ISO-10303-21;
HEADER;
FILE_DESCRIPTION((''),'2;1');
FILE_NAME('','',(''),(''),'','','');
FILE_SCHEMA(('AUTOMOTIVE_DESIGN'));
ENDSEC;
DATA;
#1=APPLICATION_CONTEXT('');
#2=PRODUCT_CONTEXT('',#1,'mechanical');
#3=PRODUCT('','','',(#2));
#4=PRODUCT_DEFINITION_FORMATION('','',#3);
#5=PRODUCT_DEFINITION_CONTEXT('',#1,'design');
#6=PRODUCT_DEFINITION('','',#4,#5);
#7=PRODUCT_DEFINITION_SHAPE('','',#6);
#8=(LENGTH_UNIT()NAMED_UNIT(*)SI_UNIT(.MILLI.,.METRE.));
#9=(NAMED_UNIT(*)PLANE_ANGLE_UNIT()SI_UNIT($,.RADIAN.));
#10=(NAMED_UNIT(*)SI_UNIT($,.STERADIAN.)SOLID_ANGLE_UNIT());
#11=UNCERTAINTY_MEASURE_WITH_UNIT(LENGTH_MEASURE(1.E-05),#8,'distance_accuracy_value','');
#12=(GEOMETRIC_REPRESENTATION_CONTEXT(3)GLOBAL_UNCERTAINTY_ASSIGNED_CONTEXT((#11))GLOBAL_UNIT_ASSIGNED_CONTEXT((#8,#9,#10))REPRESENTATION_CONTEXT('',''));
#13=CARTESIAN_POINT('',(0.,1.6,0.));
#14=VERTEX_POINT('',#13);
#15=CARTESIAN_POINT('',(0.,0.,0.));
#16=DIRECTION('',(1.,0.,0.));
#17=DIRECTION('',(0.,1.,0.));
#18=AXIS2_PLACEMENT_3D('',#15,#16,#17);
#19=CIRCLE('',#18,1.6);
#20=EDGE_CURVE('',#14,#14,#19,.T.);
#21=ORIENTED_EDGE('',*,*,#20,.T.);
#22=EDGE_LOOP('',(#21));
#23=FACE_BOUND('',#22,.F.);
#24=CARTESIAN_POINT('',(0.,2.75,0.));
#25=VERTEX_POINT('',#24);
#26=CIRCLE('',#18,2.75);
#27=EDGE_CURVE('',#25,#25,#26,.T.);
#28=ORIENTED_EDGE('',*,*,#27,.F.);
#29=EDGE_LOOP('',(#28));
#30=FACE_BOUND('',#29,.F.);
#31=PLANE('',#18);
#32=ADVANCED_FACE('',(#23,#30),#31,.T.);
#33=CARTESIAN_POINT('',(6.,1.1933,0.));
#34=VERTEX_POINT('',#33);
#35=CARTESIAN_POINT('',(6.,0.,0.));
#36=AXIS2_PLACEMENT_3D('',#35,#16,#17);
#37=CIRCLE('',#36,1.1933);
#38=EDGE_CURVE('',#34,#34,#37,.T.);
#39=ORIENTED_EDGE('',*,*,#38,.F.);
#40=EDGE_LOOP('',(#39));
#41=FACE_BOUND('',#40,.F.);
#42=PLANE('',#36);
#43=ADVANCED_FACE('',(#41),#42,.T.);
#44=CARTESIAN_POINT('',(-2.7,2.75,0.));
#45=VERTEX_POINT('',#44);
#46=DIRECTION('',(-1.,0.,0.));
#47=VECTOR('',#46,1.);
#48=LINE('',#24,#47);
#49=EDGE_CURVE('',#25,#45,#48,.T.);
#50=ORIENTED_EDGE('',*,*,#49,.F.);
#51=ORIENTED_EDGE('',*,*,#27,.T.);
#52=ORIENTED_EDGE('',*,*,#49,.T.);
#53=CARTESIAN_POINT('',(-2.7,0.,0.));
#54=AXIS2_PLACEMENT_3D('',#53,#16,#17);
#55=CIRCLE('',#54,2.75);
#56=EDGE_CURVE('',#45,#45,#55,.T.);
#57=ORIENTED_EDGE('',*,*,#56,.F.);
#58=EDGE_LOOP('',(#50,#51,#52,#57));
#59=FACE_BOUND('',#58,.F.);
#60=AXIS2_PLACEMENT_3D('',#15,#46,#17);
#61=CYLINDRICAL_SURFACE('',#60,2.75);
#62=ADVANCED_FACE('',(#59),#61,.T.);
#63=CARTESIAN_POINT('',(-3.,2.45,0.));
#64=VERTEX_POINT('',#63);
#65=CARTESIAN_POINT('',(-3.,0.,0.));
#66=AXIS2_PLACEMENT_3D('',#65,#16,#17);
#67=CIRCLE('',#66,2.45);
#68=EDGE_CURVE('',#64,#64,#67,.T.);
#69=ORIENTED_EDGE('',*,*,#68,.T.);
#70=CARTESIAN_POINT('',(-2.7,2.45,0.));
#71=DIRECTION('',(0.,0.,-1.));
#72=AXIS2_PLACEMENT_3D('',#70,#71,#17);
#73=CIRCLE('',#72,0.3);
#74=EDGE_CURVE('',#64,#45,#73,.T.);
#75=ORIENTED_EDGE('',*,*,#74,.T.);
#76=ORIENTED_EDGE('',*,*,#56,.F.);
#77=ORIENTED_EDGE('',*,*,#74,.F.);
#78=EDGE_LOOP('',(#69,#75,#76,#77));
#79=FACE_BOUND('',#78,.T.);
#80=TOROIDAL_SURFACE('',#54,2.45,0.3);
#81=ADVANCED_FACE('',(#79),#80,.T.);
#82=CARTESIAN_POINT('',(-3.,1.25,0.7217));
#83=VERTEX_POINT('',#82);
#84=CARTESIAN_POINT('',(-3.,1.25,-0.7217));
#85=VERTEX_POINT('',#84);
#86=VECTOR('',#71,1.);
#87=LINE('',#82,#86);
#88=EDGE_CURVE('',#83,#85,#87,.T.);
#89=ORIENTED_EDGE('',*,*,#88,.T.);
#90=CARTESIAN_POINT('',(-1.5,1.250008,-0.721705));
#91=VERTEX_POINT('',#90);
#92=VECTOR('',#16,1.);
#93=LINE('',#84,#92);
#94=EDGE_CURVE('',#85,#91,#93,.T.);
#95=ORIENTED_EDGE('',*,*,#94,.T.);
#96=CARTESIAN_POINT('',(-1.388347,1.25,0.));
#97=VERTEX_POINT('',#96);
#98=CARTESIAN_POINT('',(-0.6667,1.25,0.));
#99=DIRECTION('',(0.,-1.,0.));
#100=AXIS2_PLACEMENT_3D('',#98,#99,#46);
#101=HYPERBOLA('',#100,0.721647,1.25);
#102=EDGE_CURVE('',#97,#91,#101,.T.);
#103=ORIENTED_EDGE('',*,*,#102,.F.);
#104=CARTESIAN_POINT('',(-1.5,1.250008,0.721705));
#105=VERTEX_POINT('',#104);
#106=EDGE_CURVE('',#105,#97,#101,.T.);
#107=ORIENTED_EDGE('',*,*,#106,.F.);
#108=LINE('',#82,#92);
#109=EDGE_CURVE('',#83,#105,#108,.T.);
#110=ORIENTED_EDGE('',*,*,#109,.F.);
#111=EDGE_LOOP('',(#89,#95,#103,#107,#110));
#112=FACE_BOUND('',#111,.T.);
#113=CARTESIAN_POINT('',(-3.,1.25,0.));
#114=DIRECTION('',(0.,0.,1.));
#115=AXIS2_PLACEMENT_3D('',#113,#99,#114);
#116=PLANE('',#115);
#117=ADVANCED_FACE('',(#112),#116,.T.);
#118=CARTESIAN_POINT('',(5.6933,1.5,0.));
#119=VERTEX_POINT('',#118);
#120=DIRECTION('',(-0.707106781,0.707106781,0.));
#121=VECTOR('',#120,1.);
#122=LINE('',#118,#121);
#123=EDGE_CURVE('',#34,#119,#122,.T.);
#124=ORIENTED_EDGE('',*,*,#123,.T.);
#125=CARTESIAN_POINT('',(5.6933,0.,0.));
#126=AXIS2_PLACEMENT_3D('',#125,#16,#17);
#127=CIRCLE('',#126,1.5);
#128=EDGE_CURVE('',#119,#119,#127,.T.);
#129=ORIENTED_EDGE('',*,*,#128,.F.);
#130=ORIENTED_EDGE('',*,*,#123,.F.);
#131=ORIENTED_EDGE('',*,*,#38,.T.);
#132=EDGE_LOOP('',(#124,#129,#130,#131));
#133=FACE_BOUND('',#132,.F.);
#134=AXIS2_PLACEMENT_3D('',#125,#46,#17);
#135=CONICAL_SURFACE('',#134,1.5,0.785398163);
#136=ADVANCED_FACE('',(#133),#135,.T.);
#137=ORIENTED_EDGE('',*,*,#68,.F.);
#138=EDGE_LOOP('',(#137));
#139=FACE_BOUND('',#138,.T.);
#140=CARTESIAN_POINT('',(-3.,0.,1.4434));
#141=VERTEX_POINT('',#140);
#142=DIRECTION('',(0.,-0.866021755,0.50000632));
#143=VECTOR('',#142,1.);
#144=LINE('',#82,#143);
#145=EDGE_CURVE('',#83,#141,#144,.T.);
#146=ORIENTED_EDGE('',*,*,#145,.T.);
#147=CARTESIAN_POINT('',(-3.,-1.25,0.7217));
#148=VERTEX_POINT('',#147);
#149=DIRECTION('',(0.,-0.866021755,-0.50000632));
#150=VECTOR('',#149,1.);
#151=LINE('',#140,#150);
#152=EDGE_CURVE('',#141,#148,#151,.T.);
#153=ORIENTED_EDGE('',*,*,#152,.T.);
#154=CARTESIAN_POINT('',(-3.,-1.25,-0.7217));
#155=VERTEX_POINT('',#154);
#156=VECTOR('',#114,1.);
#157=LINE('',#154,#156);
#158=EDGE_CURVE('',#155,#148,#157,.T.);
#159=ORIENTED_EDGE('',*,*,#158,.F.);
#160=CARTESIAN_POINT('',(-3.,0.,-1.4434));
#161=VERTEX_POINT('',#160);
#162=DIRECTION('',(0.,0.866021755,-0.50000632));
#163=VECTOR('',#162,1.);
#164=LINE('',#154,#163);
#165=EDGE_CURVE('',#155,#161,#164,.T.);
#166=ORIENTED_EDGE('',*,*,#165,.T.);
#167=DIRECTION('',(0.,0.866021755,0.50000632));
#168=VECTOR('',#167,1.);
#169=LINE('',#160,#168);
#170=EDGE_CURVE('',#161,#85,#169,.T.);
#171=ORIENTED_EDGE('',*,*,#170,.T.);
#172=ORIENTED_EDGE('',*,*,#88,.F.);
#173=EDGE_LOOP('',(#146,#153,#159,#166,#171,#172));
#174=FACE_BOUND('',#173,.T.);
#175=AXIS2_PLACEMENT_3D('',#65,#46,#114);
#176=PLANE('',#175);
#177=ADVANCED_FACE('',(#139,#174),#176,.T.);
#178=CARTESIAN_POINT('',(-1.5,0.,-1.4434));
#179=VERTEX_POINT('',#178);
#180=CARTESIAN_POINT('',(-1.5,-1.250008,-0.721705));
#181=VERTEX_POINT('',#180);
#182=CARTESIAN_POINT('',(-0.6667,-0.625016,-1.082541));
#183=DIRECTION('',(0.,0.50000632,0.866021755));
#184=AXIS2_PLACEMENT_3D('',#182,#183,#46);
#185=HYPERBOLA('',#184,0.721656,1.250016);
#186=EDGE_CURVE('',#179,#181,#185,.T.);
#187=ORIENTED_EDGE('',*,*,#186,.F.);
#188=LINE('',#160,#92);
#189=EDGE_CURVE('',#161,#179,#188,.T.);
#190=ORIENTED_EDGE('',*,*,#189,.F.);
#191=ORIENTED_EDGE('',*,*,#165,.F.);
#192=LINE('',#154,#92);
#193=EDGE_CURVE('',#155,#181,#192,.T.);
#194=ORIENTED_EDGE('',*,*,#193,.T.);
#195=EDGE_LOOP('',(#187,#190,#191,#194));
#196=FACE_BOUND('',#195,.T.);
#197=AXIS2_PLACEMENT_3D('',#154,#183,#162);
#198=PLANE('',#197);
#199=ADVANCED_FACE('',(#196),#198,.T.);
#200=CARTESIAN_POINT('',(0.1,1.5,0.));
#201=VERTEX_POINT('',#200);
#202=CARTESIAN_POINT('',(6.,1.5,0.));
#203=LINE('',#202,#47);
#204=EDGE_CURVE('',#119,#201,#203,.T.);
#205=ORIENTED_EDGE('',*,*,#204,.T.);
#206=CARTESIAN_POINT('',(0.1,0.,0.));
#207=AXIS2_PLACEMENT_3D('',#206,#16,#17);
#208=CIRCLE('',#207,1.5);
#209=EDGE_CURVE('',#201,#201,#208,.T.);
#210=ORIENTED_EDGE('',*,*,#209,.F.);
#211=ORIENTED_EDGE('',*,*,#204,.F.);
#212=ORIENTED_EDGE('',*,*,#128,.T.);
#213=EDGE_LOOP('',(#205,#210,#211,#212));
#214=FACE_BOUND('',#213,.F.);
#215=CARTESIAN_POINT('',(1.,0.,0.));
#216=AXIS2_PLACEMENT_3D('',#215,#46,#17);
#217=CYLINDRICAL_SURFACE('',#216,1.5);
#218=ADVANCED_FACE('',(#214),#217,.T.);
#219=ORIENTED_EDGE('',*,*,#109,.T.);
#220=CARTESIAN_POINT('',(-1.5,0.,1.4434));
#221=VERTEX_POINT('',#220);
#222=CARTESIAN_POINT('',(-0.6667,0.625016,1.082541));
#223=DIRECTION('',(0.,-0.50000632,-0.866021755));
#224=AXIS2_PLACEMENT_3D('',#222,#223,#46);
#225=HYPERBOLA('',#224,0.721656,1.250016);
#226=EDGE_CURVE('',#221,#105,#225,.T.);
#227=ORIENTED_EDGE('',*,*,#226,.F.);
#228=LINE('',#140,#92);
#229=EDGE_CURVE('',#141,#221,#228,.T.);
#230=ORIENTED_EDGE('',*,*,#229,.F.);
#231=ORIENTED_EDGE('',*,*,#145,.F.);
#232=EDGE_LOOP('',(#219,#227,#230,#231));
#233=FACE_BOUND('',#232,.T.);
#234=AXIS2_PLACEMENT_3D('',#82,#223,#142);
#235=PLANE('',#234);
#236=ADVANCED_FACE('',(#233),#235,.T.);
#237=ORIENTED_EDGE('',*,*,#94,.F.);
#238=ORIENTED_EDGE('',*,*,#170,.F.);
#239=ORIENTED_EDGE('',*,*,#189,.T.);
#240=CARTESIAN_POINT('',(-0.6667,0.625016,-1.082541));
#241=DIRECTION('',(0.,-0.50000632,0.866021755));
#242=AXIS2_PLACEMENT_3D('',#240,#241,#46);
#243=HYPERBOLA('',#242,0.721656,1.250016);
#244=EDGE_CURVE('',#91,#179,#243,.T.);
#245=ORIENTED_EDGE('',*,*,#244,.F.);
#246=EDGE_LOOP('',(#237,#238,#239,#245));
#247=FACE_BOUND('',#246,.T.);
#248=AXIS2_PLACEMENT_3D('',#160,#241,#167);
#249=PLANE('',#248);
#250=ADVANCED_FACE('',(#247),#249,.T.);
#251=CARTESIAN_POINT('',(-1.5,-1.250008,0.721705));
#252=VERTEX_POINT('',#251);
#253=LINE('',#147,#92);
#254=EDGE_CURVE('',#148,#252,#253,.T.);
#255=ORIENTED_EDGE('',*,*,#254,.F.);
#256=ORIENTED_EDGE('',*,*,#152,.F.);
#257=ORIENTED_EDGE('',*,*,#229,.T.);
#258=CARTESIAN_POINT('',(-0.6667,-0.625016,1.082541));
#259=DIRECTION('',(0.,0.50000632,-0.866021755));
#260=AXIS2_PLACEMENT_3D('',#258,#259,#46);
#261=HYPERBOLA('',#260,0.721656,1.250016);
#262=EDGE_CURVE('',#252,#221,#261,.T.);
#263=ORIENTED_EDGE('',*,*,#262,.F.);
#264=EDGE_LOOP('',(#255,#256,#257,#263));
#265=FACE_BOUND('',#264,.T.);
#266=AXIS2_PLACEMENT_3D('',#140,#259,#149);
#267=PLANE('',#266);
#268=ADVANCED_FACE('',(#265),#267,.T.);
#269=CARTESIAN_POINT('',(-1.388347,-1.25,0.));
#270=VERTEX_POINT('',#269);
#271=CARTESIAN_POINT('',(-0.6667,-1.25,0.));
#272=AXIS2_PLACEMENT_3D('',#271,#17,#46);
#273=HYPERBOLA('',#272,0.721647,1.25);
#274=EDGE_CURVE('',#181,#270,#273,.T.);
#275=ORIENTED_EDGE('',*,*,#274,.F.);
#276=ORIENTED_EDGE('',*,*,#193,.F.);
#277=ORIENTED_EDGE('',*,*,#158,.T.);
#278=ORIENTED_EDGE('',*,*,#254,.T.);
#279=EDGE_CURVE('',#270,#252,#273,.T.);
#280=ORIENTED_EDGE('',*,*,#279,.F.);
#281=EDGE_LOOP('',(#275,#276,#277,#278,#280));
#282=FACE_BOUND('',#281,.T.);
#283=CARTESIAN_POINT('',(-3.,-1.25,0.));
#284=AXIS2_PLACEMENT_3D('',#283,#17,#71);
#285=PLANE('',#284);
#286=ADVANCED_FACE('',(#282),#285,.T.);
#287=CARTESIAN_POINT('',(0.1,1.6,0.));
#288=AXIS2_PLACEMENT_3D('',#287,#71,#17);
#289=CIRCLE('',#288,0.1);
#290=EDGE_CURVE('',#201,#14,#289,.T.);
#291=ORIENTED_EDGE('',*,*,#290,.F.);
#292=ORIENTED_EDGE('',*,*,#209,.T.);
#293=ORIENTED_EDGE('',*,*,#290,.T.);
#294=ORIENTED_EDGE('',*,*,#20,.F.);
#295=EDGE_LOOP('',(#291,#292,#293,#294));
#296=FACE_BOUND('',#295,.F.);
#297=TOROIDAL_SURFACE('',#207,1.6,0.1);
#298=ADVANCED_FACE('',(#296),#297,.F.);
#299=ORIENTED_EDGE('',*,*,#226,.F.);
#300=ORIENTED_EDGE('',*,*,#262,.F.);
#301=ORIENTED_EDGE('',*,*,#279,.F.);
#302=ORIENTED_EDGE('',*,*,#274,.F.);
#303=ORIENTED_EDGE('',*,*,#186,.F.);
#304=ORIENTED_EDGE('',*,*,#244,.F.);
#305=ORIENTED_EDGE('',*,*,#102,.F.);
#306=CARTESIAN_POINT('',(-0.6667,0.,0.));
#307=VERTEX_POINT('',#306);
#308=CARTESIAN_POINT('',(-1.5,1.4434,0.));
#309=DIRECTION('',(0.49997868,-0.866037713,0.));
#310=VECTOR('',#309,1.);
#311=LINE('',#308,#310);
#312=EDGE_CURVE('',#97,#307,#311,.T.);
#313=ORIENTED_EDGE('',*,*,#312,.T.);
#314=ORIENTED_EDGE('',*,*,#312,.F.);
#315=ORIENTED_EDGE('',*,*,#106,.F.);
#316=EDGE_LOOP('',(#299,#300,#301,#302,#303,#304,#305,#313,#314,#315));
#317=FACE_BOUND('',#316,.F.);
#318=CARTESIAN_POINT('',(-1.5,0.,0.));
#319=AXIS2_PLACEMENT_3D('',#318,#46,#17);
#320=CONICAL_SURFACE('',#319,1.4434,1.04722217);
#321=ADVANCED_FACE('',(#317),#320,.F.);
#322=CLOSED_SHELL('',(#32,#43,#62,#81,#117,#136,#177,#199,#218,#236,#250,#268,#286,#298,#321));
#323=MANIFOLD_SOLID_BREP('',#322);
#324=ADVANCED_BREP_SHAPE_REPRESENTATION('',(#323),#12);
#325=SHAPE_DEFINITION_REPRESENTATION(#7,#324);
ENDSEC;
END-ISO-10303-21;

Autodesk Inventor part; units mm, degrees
ref_plane "YZ Plane" through (0, 0, 0) normal (1, 0, 0) x (0, 1, 0)
ref_plane "XZ Plane" through (0, 0, 0) normal (0, 1, 0) x (-1, 0, 0)
sketch "Esquisse1" plane through (0, 0, 0) normal (0, 0, 1) x (1, 0, 0)
  line L0 (-0.6667, 0) -> (6, 0)
  line L1 (6, 0) -> (6, 1.5)
  line L2 (6, 1.5) -> (1.3067, 1.5)
  line L3 (1.3067, 1.5) -> (1, 1.5)
  line L4 (1, 1.5) -> (0, 1.5)
  line L5 (0, 1.5) -> (0, 2.75)
  line L6 (0, 2.75) -> (-3, 2.75)
  line L7 (-3, 2.75) -> (-3, 1.4434)
  line L8 (-3, 1.4434) -> (-1.5, 1.4434)
  line L9 (-1.5, 1.4434) -> (-0.6667, 0)
  line L10 (-4.8, 0) -> (7.8, 0) projected
  line L11 (0, -0.55) -> (0, 3.3) projected
  line L12 (1.3067, 1.5) -> (0, 1.5) construction
  dimension "d0" = 4.6933
  dimension "d1" = 0.3067
  dimension "d2" = 3
  dimension "d3" = 1.5
  dimension "d4" = 60
  dimension "d5" = 3
  dimension "d6" = 3
  dimension "d7" = 2.8868
  dimension "d8" = 5.5
  dimension "d19" = 6
revolve "Corps" add sketch "Esquisse1" angle 360 about axis through (-0.6667, 0, 0) along (1, 0, 0)
sketch "Esquisse2" plane through (-3, 0, 0) normal (-1, 0, 0) x (0, 0, 1)
  circle A0 centre (0, 0) radius 1.4434 projected
  line L0 (0, -3.85) -> (0, 3.85) projected
  line L1 (-3.85, 0) -> (3.85, 0) projected
  line L2 (1.4434, 0) -> (0.7217, -1.25)
  line L3 (0.7217, -1.25) -> (-0.7217, -1.25)
  line L4 (-0.7217, -1.25) -> (-1.4434, 0)
  line L5 (-1.4434, 0) -> (-0.7217, 1.25)
  line L6 (-0.7217, 1.25) -> (0.7217, 1.25)
  line L7 (0.7217, 1.25) -> (1.4434, 0)
extrude "Rainure" add sketch "Esquisse2" against normal up to next contours L7 A0 | A0 L2 | L6 L0 A0 | A0 L0 L3 | L0 L6 A0 | A0 L3 L0 | L4 A0 | A0 L5
fillet "Congé2" radius 0.3 1 edges at (-3, -2.75, 0)
thread "Filetage" size "M3x0.5" class "6g" standard "ISO Metric profile" length 4.6933
chamfer "Chanfrein1" distance 0.3067 distance2 0.3067 1 edges at (6, -1.5, 0) measured on face at (6, -0.2617, -0.7882)
fillet "Congé1" radius 0.1 1 edges at (0, -1.5, 0)
ref_plane "Work Plane1" through (30, 0, 0) normal (0, -0.5, 0.866) x (1, 0, 0)
equation "\"d0\" = GEL"
equation "\"d1\" = GAL"
equation "\"d2\" = KOH"
equation "\"d3\" = INTI"
equation "\"d5\" = GD"
equation "\"d6\" = BDM"
equation "\"d7\" = 1.1547 * SW"
equation "\"d8\" = KOD"
equation "\"d19\" = NLG"
equation "\"d16\" = RR"
equation "\"d12\" = GEL"
equation "\"d14\" = -0.5 * SPD + 0.5 * GD"
equation "\"d15\" = GUL"
equation "\"d29\" = R"
equation "\"GD\" = NND"
equation "\"NLG\" = 6"
equation "\"GEL\" = 4.69327"
equation "\"KOD\" = 5.5"
equation "\"KOH\" = 3"
equation "\"INTI\" = 1.5"
equation "\"GAL\" = 0.61345 * PTC"
equation "\"GUL\" = 0.61345 * PTC"
equation "\"BDM\" = NND"
equation "\"SW\" = 2.5"
equation "\"RR\" = 0.3"
equation "\"SPD\" = 2.38655"
equation "\"d28\" = R"
equation "\"R\" = 0.1"
equation "\"TOA\" = 30deg"
equation "\"THREADDIA\" = 3"
equation "\"KOD1\" = KOD"
equation "\"PTC\" = 0.5"
equation "\"NND\" = 3"
equation "\"E0\" = 1.155 * SW"
equation "\"GD1\" = THREADDIA - 1.2269 * PTC"
properties part number "ANSI B18.3.1M - M3x0,5 x 6" material "Acier, doux"
